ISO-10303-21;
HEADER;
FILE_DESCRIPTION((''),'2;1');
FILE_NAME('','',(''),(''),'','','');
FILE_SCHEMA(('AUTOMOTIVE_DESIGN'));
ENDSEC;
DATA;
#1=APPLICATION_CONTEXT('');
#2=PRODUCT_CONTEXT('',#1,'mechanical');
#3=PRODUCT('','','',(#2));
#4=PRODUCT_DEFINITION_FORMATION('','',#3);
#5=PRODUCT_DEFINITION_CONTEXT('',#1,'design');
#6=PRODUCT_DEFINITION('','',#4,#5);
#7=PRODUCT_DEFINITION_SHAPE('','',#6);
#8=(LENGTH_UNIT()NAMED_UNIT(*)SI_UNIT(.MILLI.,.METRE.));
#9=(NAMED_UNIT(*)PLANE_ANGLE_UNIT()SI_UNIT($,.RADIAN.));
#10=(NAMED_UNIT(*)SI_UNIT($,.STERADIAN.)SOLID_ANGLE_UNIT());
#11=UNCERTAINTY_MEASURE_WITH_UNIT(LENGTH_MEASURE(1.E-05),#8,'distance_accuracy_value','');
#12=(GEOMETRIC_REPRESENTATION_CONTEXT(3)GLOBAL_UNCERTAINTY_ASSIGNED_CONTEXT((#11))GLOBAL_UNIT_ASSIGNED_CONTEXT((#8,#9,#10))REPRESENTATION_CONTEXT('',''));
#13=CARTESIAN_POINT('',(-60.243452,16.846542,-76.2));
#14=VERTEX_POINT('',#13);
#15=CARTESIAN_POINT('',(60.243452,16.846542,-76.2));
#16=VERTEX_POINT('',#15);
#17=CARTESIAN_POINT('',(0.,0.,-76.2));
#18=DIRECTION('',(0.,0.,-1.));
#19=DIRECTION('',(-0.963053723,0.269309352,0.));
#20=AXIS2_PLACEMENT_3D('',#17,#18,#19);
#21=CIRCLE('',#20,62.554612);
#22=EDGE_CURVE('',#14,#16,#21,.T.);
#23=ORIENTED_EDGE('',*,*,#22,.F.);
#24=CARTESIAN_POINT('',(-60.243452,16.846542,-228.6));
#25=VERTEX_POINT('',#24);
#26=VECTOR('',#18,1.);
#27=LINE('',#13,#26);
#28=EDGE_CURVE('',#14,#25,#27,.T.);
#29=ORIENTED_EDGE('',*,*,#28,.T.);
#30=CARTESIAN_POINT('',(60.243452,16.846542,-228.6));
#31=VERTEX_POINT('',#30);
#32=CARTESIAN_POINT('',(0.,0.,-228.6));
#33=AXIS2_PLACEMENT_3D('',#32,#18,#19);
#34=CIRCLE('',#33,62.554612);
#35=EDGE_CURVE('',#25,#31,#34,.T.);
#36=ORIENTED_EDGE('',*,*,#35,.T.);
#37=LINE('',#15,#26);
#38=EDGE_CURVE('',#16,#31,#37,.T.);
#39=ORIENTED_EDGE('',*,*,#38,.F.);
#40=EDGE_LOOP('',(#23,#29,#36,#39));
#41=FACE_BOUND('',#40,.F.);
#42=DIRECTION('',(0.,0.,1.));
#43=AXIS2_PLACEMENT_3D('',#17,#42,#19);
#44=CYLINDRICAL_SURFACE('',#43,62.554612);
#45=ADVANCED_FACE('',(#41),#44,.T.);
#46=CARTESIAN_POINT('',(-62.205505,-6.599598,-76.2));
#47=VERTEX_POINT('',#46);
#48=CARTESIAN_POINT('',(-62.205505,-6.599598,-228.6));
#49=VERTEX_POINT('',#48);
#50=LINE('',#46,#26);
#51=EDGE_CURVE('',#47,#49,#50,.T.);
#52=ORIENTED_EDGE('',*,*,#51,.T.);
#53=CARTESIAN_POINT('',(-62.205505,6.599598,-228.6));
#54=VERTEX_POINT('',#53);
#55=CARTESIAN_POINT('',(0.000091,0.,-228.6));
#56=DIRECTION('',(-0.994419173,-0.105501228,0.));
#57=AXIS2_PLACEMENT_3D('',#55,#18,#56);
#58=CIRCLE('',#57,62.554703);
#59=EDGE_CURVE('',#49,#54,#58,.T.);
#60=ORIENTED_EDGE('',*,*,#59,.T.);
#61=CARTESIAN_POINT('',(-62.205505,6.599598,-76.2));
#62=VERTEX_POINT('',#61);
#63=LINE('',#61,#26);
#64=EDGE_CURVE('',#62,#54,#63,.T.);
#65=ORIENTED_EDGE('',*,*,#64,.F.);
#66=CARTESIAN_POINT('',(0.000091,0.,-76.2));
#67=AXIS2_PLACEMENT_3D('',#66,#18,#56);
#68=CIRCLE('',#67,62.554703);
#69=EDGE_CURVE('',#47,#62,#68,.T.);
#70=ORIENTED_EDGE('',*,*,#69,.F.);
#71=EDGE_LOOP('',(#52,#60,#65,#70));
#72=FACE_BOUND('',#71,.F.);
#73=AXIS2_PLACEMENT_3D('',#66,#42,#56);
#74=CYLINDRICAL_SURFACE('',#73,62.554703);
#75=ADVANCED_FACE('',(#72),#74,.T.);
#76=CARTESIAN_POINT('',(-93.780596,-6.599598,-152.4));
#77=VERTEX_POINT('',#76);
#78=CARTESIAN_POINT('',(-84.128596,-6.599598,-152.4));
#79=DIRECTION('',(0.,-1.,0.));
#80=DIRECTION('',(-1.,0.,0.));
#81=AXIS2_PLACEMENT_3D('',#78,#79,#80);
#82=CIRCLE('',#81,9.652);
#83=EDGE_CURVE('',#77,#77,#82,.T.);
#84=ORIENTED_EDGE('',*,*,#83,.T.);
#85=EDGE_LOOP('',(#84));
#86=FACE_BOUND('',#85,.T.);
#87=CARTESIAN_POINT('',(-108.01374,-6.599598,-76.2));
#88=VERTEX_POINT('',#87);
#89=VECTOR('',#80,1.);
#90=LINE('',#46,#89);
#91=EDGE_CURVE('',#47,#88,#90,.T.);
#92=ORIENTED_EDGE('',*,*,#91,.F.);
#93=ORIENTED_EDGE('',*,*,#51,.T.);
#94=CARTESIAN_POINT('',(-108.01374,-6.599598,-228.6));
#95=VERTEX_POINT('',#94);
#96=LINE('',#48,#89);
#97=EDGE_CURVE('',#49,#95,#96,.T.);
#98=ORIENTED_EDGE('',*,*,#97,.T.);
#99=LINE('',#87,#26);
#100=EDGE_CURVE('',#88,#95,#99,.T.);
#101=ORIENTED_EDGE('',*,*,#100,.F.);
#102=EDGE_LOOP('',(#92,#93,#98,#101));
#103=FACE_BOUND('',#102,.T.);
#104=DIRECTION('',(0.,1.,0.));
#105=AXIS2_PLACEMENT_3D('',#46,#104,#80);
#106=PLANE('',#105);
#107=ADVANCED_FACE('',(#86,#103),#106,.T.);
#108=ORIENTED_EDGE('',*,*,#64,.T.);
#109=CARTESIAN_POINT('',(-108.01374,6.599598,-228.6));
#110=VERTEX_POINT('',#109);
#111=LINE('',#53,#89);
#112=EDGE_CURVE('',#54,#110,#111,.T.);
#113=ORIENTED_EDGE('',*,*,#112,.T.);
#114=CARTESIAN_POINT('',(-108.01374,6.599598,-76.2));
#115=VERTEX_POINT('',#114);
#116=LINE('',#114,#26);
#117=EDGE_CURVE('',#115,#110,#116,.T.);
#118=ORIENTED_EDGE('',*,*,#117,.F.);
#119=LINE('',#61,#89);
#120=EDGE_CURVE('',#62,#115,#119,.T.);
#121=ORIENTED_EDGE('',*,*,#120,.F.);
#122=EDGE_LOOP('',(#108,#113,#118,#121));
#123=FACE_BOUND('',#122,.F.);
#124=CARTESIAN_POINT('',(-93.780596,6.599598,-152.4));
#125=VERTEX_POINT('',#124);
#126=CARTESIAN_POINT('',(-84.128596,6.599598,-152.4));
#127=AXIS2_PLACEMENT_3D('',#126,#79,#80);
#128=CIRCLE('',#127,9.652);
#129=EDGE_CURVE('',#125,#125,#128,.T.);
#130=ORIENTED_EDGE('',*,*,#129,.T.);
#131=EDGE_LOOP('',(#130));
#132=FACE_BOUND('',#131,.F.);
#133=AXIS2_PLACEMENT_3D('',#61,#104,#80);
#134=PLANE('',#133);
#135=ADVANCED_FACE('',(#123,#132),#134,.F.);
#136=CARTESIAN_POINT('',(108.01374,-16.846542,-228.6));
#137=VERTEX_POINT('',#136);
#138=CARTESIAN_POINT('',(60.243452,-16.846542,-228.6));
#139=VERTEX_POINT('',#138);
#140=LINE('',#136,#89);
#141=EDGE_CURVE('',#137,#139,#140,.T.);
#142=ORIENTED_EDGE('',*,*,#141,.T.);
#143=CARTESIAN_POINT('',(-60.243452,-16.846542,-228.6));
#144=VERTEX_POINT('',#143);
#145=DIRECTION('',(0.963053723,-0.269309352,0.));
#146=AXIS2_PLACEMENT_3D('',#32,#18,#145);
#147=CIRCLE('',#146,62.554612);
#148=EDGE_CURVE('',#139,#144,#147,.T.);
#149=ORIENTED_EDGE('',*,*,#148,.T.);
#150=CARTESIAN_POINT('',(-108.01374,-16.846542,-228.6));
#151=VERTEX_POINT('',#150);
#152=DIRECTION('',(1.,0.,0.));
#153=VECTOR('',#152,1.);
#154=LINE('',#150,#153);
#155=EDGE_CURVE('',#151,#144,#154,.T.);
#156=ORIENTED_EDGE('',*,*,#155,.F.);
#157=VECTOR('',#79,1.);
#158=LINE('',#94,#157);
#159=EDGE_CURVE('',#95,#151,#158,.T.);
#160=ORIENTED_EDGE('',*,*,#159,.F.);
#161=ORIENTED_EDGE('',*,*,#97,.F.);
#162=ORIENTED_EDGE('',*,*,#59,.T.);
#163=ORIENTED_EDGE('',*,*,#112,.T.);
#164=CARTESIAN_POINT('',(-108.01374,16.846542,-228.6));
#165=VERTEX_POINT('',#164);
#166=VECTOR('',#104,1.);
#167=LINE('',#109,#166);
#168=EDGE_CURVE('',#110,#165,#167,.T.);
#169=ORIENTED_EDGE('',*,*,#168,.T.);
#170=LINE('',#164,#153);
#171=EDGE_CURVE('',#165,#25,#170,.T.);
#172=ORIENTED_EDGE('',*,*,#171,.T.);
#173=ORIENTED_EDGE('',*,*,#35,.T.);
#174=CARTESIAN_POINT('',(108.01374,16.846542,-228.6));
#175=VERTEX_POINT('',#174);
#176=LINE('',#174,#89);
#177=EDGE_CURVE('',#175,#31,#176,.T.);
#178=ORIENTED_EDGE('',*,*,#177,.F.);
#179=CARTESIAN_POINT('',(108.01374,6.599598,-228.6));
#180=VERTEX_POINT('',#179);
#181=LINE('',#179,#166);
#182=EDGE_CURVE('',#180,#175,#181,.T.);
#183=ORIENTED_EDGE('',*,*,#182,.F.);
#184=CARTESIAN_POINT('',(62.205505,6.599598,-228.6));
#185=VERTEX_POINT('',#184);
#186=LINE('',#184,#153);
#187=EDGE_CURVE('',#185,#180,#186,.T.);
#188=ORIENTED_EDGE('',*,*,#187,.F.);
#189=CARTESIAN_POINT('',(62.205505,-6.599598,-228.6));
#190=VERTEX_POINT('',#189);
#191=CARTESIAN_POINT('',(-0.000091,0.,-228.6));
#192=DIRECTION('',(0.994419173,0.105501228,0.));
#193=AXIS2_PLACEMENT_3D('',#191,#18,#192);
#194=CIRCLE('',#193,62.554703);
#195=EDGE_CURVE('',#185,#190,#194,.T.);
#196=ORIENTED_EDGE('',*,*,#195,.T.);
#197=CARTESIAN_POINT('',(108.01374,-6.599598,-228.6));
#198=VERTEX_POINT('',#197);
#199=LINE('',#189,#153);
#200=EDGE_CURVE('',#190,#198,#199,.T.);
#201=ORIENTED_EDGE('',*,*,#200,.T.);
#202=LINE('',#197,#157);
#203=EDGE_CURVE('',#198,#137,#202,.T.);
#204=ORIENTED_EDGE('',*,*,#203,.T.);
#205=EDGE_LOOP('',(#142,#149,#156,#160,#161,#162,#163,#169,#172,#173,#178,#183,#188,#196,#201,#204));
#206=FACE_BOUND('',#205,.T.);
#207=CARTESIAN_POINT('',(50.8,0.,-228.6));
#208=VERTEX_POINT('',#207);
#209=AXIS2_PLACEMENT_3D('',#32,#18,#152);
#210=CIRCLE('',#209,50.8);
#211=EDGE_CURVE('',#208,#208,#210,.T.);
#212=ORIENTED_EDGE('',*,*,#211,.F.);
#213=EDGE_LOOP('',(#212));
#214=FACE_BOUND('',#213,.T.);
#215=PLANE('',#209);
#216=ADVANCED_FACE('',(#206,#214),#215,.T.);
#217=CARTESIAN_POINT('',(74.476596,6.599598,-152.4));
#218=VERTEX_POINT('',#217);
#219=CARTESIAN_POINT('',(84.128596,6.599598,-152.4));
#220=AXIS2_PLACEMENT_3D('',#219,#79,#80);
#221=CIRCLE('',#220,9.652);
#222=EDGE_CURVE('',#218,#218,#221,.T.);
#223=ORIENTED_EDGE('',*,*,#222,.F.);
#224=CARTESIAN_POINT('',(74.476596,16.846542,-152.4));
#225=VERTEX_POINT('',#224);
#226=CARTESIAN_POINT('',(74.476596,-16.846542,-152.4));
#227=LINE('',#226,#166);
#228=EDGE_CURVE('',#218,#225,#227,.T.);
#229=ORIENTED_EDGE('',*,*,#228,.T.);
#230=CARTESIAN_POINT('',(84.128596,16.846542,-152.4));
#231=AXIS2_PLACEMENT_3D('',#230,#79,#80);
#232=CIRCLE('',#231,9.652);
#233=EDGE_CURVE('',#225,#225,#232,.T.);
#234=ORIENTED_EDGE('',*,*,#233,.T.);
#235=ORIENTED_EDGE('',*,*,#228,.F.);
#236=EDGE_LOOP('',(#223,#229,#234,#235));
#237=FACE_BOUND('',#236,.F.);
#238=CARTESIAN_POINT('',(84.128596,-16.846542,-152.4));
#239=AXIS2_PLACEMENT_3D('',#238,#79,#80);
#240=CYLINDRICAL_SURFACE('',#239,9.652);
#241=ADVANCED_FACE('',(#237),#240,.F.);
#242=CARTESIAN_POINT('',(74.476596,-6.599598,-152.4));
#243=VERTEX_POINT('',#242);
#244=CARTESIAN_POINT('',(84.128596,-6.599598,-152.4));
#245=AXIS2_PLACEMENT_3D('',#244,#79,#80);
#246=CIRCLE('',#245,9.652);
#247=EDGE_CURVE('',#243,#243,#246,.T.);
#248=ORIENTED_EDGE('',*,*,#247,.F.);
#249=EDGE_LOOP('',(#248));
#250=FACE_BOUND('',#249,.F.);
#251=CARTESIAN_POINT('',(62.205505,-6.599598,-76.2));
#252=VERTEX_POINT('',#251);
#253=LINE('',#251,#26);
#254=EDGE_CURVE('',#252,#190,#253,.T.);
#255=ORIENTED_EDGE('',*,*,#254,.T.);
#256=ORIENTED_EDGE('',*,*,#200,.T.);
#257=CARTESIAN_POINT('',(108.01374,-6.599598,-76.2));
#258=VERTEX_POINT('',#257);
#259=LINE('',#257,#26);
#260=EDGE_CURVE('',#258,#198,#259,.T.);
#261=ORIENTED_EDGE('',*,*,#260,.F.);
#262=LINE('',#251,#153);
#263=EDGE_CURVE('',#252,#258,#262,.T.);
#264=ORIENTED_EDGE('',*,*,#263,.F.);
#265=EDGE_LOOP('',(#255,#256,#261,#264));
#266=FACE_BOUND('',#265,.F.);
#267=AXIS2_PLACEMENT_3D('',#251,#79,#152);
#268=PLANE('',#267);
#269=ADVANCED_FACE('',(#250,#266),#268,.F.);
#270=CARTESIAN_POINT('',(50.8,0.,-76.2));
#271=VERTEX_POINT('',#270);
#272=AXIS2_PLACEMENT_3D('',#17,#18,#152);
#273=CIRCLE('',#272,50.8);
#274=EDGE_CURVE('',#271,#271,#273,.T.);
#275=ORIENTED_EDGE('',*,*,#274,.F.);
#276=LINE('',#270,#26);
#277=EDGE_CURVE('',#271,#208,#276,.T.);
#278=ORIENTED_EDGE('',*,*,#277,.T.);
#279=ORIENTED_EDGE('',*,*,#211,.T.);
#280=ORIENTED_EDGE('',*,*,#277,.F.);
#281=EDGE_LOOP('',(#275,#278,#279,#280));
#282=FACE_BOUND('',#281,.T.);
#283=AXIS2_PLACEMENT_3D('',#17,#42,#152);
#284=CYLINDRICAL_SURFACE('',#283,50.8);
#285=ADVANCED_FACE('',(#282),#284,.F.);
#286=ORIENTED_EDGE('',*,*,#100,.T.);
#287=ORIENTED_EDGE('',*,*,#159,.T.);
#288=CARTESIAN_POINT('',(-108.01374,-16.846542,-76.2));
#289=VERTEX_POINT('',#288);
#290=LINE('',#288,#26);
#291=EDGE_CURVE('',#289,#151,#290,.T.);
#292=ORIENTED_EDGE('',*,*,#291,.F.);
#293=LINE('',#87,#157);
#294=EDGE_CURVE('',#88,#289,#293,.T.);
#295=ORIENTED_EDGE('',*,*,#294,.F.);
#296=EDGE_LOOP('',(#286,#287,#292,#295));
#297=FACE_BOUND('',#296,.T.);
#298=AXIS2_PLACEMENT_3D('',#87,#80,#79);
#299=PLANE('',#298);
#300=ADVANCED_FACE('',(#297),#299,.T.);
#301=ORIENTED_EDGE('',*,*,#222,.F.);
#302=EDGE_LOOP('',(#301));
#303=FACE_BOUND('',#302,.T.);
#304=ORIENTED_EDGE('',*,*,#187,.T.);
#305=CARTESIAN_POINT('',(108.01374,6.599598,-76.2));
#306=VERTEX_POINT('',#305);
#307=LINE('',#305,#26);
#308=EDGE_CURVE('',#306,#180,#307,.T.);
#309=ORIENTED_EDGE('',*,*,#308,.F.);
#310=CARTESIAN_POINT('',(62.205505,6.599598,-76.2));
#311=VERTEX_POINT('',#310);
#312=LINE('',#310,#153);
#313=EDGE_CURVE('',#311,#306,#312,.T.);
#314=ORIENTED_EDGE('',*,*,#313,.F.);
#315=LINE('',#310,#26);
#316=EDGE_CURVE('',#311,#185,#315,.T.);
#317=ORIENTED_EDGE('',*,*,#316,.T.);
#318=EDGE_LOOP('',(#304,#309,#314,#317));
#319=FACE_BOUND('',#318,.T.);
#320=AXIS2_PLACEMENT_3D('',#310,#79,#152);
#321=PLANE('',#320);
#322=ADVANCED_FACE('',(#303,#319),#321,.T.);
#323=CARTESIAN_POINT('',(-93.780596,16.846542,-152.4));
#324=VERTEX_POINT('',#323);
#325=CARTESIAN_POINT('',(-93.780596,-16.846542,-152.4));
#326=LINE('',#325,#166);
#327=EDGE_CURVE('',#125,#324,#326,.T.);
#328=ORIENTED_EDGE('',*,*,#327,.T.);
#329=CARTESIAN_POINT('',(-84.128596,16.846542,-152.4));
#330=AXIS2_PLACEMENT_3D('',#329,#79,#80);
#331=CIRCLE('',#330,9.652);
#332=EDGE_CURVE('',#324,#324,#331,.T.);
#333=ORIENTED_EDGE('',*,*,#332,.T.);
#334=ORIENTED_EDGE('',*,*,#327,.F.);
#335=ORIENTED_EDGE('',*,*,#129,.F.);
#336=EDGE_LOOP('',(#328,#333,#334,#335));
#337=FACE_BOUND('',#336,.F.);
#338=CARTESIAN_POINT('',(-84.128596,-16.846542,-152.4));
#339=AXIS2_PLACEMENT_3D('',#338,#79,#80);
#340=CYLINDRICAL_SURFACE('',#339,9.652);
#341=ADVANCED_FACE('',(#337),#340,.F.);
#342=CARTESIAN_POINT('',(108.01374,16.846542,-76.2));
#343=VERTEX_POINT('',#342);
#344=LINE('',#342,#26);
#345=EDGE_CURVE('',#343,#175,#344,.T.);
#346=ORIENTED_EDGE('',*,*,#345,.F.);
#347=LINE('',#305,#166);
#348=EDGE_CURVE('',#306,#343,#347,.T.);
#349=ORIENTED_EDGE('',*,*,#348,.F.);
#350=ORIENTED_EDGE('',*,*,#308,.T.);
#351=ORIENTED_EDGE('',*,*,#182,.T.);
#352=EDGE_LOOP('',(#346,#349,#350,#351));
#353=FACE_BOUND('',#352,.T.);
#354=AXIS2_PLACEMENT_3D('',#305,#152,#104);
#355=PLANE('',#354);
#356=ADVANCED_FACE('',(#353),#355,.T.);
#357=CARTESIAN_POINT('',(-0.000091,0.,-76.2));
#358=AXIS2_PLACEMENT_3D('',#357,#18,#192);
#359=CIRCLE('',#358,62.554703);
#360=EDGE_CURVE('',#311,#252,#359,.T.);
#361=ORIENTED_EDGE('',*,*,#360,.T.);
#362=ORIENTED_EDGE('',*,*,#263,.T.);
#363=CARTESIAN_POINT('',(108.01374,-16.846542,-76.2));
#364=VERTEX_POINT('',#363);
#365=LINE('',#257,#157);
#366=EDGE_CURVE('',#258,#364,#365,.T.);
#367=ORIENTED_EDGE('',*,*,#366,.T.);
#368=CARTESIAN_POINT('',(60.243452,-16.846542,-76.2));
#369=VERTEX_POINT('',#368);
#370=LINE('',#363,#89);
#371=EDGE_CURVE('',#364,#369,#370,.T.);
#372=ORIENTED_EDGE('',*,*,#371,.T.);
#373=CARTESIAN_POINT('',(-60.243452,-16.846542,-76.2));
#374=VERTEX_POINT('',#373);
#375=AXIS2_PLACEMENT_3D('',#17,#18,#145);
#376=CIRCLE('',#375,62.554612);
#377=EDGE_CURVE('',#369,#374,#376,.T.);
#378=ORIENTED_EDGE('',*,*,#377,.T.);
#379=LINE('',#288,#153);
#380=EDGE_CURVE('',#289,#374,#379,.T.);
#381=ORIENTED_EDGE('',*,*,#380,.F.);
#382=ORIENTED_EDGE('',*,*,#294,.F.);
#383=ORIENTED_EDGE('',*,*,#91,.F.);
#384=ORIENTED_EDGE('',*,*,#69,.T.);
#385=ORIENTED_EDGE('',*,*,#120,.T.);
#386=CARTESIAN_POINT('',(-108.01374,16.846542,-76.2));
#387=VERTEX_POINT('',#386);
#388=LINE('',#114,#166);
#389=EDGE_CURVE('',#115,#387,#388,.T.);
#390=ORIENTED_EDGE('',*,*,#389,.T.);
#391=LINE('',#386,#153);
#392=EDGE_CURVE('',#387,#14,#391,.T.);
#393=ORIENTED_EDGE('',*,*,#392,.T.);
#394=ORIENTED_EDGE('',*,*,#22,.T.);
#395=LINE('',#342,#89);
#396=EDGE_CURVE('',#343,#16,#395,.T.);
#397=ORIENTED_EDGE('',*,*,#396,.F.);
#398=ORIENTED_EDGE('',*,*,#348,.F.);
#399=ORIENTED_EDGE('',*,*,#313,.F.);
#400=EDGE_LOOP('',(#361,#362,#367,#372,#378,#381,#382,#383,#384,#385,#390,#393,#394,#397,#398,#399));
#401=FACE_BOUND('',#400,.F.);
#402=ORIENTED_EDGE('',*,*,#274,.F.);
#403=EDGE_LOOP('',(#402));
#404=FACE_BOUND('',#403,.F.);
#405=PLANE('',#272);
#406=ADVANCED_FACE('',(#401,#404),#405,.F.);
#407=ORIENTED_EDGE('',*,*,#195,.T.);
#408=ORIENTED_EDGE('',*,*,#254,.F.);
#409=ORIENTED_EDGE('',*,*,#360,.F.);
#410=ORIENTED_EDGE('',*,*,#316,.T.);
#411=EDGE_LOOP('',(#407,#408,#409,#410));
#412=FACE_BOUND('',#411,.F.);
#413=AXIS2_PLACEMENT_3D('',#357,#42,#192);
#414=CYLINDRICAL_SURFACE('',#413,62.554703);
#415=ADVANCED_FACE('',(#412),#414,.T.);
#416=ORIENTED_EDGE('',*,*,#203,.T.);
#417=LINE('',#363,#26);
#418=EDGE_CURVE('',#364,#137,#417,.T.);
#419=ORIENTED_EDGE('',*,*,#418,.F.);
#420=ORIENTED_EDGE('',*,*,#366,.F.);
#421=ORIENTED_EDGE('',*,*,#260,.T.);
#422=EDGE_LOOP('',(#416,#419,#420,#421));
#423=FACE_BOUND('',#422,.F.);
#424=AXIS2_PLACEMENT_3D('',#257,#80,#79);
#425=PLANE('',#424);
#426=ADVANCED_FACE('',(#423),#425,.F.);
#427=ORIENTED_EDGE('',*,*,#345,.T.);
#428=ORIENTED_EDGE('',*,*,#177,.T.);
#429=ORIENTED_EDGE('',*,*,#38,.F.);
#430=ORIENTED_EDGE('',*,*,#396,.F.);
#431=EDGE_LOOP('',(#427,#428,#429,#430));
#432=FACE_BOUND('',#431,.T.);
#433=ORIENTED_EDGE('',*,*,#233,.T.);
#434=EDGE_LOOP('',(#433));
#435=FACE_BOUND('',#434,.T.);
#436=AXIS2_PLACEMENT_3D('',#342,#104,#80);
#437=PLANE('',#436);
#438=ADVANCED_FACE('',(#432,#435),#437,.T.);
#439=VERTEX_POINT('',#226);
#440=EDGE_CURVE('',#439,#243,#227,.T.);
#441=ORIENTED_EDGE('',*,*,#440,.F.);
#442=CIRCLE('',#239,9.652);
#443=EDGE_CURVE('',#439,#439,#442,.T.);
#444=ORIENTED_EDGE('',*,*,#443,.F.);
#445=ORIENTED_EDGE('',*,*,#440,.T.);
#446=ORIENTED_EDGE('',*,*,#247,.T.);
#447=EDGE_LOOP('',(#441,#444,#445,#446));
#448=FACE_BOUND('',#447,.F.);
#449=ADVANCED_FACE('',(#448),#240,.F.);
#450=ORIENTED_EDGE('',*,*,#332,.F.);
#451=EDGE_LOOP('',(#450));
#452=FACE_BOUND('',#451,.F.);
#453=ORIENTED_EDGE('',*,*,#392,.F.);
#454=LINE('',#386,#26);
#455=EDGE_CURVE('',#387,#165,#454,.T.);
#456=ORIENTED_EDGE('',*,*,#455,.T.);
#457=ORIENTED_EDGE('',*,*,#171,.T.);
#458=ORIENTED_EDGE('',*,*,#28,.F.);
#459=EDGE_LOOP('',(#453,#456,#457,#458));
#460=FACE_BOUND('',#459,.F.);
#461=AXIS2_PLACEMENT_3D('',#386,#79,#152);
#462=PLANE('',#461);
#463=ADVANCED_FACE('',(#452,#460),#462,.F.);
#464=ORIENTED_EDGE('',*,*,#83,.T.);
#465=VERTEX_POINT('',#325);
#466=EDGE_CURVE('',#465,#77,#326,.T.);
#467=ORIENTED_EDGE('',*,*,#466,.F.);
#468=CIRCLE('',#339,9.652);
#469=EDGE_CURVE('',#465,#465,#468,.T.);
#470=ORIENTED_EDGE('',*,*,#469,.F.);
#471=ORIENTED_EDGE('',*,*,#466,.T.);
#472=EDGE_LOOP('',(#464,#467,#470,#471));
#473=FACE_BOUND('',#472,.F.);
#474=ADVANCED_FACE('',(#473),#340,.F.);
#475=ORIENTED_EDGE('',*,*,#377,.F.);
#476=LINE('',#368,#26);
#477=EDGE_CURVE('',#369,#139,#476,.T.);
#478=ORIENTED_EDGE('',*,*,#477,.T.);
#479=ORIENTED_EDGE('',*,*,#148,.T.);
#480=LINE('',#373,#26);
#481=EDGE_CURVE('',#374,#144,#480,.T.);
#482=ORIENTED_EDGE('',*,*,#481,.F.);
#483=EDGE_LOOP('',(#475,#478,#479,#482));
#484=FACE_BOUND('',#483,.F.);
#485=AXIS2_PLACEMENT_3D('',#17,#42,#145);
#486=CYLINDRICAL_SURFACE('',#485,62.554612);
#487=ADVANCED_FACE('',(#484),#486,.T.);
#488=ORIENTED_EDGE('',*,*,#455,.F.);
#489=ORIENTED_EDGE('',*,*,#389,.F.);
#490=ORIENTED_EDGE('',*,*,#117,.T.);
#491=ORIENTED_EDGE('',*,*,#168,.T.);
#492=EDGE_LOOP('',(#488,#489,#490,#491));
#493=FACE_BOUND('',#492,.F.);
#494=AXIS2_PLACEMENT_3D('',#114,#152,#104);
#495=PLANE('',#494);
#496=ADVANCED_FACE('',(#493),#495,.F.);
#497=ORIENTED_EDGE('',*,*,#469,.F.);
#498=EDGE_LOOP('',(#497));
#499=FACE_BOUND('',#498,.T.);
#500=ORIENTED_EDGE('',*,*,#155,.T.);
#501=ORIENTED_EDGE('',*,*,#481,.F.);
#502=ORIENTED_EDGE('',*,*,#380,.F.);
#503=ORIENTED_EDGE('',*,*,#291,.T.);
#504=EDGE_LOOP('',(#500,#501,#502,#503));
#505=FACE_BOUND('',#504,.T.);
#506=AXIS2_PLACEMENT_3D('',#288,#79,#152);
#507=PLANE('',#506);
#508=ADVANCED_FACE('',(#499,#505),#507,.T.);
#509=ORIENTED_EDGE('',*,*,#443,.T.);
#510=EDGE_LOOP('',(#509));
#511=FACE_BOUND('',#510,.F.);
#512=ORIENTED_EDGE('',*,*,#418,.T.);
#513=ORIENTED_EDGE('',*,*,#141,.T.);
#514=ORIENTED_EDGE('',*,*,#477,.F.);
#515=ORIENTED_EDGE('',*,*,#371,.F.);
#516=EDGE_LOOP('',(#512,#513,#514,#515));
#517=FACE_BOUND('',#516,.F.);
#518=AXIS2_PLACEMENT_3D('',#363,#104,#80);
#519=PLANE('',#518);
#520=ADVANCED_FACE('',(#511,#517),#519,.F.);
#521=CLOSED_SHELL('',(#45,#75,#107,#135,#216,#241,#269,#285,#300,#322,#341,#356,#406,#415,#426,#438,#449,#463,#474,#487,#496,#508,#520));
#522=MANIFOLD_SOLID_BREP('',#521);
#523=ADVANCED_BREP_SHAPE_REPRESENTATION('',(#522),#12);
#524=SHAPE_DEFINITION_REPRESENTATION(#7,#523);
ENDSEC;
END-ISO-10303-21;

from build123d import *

# Parameters (mm, degrees)
SKETCH_R     = 50.8
PAD_DEPTH    = 152.4
SKETCH001_R  = 9.652
POCKET_DEPTH = 79.402154


with BuildPart() as part:
    # Sketch → Pad (new body)
    with BuildSketch(Plane(origin=(0, 0, -76.2), x_dir=(1, 0, 0), z_dir=(0, 0, -1))):
        with BuildLine():
            ThreePointArc((62.205505, -6.599598), (62.554612, 0), (62.205505, 6.599598))
            Line((62.205505, 6.599598), (108.01374, 6.599598))
            Line((108.01374, 6.599598), (108.01374, 16.846542))
            Line((108.01374, 16.846542), (60.243452, 16.846542))
            ThreePointArc((60.243452, 16.846542), (0, 62.554612), (-60.243452, 16.846542))
            Line((-108.01374, 16.846542), (-60.243452, 16.846542))
            Line((-108.01374, 6.599598), (-108.01374, 16.846542))
            Line((-62.205505, 6.599598), (-108.01374, 6.599598))
            ThreePointArc((-62.205505, 6.599598), (-62.554612, 0), (-62.205505, -6.599598))
            Line((-62.205505, -6.599598), (-108.01374, -6.599598))
            Line((-108.01374, -6.599598), (-108.01374, -16.846542))
            Line((-108.01374, -16.846542), (-60.243452, -16.846542))
            ThreePointArc((-60.243452, -16.846542), (0, -62.554612), (60.243452, -16.846542))
            Line((108.01374, -16.846542), (60.243452, -16.846542))
            Line((108.01374, -6.599598), (108.01374, -16.846542))
            Line((62.205505, -6.599598), (108.01374, -6.599598))
        make_face()
        Circle(SKETCH_R, mode=Mode.SUBTRACT)
    extrude(amount=PAD_DEPTH)

    # Sketch001 → Pocket (cut, through all)
    with BuildSketch(Plane(origin=(0, -16.846542, -76.2), x_dir=(-1, 0, 0), z_dir=(0, -1, 0))):
        with Locations((-84.128596, 76.2)):
            Circle(SKETCH001_R)
        with Locations((84.128596, 76.2)):
            Circle(SKETCH001_R)
    extrude(amount=-POCKET_DEPTH, mode=Mode.SUBTRACT)


solid = part.part
